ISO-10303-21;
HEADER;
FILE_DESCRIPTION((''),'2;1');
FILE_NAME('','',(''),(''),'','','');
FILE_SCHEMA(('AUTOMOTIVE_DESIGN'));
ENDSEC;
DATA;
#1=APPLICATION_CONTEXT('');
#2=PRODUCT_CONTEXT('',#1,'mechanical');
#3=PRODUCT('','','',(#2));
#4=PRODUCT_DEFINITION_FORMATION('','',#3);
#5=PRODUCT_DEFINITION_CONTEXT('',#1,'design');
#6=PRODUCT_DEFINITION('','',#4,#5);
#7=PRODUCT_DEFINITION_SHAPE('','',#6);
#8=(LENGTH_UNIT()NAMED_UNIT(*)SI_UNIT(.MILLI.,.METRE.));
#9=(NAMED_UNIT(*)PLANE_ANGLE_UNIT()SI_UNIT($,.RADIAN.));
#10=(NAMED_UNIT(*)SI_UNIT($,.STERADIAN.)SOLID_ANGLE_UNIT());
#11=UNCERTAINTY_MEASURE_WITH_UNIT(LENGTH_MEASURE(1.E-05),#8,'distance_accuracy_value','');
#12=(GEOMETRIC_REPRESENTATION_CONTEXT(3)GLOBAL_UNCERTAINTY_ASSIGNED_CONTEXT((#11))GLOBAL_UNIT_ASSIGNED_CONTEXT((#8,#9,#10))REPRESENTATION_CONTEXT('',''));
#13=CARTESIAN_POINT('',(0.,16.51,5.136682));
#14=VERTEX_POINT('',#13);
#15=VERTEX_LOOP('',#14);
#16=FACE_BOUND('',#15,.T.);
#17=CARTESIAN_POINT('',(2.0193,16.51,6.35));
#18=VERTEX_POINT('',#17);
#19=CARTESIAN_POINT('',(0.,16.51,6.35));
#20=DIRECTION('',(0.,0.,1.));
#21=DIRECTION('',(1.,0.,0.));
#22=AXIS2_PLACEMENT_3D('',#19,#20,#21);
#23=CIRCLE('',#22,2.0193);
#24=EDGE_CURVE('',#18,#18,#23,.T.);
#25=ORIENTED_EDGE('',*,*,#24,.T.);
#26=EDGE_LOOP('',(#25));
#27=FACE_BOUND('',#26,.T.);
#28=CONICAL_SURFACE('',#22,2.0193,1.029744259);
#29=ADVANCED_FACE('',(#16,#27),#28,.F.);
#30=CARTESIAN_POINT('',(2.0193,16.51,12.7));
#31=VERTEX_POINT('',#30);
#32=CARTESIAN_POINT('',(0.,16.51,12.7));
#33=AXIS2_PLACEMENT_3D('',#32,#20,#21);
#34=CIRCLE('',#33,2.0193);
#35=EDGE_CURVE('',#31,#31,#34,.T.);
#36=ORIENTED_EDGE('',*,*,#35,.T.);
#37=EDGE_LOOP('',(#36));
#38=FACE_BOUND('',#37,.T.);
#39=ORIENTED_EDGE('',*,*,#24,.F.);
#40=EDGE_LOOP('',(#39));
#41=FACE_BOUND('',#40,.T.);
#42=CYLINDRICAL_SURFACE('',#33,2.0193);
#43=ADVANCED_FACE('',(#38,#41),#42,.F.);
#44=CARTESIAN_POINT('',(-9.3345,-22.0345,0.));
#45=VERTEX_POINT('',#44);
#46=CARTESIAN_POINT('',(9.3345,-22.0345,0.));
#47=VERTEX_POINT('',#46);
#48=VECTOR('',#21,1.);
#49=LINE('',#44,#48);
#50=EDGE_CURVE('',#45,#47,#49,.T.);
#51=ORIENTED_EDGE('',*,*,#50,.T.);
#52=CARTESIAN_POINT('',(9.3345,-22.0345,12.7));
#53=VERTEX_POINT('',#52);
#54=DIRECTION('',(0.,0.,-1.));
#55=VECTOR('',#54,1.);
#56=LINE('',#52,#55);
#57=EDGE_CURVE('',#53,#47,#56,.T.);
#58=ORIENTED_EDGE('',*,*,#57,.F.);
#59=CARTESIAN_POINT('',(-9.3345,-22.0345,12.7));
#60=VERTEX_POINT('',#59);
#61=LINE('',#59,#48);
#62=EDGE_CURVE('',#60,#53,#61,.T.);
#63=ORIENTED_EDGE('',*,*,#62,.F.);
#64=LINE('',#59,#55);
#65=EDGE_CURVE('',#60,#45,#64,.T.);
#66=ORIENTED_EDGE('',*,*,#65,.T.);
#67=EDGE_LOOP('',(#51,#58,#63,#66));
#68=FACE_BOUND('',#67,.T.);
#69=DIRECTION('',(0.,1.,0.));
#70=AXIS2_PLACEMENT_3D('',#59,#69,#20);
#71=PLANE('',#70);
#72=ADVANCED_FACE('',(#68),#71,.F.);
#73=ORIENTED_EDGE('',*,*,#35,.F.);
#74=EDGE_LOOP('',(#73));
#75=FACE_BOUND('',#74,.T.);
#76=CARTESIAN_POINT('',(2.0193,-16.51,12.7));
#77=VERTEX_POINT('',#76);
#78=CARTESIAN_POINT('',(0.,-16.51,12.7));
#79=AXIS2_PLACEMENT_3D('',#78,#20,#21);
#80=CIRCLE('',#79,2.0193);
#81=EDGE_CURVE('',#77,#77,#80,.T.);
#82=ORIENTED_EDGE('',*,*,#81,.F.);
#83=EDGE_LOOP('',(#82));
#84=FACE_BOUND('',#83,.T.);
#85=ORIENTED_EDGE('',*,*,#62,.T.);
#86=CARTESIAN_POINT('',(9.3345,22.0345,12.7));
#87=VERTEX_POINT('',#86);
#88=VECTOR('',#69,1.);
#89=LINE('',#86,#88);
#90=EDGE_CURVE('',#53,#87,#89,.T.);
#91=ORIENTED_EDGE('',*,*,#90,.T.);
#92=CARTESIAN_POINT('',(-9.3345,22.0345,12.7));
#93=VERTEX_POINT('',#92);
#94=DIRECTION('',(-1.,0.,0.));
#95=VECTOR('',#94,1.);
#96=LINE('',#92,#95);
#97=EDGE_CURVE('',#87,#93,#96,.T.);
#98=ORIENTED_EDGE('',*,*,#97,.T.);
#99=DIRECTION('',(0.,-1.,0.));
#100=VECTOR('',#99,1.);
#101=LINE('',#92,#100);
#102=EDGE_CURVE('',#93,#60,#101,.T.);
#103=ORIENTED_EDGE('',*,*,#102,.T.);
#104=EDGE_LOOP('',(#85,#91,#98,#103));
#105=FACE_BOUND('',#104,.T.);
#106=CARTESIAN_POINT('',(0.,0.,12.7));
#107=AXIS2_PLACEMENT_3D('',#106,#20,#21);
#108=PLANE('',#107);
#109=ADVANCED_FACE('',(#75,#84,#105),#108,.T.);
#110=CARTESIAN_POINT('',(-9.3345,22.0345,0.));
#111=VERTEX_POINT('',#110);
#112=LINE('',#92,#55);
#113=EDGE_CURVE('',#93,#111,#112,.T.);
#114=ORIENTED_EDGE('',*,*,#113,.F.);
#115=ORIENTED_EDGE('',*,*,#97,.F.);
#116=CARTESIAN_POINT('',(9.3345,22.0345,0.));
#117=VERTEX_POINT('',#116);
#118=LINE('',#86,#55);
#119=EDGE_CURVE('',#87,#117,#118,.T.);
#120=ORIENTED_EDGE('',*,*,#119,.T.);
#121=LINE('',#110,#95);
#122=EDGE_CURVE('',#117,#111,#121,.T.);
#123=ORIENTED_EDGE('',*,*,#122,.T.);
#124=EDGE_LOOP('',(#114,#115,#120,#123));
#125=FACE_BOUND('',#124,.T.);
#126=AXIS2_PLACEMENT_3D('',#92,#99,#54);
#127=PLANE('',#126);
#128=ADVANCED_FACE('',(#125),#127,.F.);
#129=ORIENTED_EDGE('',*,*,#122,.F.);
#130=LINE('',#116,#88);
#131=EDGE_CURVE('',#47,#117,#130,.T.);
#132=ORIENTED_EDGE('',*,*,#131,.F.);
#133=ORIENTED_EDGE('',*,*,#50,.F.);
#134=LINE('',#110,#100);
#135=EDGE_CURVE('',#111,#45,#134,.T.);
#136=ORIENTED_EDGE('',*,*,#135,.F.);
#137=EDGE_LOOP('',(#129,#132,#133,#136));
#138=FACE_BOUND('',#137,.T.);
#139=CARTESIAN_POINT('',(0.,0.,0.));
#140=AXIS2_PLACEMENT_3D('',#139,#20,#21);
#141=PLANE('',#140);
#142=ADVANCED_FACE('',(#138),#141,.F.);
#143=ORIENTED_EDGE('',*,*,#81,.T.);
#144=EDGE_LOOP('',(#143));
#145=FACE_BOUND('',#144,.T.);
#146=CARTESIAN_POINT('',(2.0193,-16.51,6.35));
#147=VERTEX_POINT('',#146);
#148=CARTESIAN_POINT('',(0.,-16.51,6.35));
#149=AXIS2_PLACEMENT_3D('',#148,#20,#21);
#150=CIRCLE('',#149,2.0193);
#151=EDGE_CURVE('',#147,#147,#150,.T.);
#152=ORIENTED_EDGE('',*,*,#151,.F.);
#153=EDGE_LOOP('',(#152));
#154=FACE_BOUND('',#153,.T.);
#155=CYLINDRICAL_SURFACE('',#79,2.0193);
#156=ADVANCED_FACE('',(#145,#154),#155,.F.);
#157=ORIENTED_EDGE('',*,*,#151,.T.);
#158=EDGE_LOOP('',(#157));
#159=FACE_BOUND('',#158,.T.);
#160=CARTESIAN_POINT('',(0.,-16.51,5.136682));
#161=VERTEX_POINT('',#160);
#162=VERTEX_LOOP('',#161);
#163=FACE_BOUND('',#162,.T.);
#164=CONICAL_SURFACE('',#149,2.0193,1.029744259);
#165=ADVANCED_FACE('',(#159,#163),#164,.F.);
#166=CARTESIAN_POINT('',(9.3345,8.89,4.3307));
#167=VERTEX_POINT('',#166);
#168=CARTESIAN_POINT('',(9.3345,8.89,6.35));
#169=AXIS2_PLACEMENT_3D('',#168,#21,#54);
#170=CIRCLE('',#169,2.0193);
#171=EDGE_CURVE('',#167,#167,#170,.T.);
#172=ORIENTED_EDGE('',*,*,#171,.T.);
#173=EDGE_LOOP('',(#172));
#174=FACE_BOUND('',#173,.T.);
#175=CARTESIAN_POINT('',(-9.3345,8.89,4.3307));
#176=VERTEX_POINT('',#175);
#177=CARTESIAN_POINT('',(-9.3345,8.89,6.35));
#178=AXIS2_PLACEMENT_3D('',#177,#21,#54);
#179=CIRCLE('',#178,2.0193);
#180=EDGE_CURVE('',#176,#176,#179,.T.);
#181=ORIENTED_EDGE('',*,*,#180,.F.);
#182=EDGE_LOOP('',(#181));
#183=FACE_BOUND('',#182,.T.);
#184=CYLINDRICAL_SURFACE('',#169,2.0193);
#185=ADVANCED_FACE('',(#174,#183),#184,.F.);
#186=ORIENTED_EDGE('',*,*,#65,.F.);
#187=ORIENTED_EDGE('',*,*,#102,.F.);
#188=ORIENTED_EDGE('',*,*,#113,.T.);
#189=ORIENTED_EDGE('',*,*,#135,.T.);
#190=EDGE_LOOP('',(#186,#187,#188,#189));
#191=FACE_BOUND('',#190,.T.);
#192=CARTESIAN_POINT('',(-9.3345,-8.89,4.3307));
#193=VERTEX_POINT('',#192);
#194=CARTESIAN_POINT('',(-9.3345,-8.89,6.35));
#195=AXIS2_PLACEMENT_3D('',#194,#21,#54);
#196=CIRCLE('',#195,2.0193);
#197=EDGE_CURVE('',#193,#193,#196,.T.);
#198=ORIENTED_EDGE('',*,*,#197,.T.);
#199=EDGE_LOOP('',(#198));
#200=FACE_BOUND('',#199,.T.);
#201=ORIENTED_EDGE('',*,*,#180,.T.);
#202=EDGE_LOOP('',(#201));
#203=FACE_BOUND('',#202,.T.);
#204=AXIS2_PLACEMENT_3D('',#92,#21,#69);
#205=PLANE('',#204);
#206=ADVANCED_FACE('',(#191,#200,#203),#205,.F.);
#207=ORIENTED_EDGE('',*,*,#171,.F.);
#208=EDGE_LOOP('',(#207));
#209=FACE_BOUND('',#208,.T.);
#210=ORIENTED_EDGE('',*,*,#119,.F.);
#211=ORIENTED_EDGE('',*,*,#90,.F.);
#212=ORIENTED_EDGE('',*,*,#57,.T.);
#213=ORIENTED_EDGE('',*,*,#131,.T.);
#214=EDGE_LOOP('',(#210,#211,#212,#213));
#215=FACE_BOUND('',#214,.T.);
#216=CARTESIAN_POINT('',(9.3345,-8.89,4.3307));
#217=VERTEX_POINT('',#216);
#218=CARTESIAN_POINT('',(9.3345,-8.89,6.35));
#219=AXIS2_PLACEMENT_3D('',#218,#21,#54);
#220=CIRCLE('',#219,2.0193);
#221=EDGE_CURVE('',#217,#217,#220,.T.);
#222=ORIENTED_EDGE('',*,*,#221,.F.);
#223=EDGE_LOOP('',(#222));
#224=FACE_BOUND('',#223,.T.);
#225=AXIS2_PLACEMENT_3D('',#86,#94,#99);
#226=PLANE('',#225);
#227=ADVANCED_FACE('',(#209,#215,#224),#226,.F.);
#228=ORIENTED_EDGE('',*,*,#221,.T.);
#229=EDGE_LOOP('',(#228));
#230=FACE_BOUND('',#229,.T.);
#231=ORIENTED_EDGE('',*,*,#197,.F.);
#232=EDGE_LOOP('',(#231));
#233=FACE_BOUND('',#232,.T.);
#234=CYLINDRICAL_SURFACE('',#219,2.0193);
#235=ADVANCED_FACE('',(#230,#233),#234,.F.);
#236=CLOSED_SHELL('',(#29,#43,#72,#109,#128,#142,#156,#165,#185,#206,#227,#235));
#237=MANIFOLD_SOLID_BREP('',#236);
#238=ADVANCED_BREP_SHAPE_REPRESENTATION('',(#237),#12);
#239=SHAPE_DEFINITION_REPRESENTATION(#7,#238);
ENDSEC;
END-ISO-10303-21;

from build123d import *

# Parameters (mm, degrees)
SKETCH1_W                      = 18.669
SKETCH1_H                      = 44.069
BOSS_EXTRUDE1_DEPTH            = 12.7
TAP_DRILL_FOR_10_32_TAP1_D     = 4.0386
TAP_DRILL_FOR_10_32_TAP2_D     = 4.0386
TAP_DRILL_FOR_10_32_TAP2_DEPTH = 6.35
TAP_DRILL_FOR_10_32_TAP2_TIP   = 1.213317848


with BuildPart() as part:
    # Sketch1 → Boss-Extrude1 (new body)
    with BuildSketch(Plane.XY):
        Rectangle(SKETCH1_W, SKETCH1_H)
    extrude(amount=BOSS_EXTRUDE1_DEPTH)

    # Tap Drill for #10-32 Tap1 (through all)
    with Locations(Plane(origin=(9.3345, 0, 0), x_dir=(0, 0, -1), z_dir=(1, 0, 0))):
        with Locations((-6.35, 8.89), (-6.35, -8.89)):
            Hole(TAP_DRILL_FOR_10_32_TAP1_D / 2)

    # Tap Drill for #10-32 Tap2
    with Locations(Plane.XY.offset(12.7)):
        with Locations((0, 16.51), (0, -16.51)):
            Hole(TAP_DRILL_FOR_10_32_TAP2_D / 2, depth=TAP_DRILL_FOR_10_32_TAP2_DEPTH)
            with Locations((0, 0, -(TAP_DRILL_FOR_10_32_TAP2_DEPTH + TAP_DRILL_FOR_10_32_TAP2_TIP / 2))):  # 118° drill point
                Cone(0, TAP_DRILL_FOR_10_32_TAP2_D / 2, TAP_DRILL_FOR_10_32_TAP2_TIP, mode=Mode.SUBTRACT)


solid = part.part
